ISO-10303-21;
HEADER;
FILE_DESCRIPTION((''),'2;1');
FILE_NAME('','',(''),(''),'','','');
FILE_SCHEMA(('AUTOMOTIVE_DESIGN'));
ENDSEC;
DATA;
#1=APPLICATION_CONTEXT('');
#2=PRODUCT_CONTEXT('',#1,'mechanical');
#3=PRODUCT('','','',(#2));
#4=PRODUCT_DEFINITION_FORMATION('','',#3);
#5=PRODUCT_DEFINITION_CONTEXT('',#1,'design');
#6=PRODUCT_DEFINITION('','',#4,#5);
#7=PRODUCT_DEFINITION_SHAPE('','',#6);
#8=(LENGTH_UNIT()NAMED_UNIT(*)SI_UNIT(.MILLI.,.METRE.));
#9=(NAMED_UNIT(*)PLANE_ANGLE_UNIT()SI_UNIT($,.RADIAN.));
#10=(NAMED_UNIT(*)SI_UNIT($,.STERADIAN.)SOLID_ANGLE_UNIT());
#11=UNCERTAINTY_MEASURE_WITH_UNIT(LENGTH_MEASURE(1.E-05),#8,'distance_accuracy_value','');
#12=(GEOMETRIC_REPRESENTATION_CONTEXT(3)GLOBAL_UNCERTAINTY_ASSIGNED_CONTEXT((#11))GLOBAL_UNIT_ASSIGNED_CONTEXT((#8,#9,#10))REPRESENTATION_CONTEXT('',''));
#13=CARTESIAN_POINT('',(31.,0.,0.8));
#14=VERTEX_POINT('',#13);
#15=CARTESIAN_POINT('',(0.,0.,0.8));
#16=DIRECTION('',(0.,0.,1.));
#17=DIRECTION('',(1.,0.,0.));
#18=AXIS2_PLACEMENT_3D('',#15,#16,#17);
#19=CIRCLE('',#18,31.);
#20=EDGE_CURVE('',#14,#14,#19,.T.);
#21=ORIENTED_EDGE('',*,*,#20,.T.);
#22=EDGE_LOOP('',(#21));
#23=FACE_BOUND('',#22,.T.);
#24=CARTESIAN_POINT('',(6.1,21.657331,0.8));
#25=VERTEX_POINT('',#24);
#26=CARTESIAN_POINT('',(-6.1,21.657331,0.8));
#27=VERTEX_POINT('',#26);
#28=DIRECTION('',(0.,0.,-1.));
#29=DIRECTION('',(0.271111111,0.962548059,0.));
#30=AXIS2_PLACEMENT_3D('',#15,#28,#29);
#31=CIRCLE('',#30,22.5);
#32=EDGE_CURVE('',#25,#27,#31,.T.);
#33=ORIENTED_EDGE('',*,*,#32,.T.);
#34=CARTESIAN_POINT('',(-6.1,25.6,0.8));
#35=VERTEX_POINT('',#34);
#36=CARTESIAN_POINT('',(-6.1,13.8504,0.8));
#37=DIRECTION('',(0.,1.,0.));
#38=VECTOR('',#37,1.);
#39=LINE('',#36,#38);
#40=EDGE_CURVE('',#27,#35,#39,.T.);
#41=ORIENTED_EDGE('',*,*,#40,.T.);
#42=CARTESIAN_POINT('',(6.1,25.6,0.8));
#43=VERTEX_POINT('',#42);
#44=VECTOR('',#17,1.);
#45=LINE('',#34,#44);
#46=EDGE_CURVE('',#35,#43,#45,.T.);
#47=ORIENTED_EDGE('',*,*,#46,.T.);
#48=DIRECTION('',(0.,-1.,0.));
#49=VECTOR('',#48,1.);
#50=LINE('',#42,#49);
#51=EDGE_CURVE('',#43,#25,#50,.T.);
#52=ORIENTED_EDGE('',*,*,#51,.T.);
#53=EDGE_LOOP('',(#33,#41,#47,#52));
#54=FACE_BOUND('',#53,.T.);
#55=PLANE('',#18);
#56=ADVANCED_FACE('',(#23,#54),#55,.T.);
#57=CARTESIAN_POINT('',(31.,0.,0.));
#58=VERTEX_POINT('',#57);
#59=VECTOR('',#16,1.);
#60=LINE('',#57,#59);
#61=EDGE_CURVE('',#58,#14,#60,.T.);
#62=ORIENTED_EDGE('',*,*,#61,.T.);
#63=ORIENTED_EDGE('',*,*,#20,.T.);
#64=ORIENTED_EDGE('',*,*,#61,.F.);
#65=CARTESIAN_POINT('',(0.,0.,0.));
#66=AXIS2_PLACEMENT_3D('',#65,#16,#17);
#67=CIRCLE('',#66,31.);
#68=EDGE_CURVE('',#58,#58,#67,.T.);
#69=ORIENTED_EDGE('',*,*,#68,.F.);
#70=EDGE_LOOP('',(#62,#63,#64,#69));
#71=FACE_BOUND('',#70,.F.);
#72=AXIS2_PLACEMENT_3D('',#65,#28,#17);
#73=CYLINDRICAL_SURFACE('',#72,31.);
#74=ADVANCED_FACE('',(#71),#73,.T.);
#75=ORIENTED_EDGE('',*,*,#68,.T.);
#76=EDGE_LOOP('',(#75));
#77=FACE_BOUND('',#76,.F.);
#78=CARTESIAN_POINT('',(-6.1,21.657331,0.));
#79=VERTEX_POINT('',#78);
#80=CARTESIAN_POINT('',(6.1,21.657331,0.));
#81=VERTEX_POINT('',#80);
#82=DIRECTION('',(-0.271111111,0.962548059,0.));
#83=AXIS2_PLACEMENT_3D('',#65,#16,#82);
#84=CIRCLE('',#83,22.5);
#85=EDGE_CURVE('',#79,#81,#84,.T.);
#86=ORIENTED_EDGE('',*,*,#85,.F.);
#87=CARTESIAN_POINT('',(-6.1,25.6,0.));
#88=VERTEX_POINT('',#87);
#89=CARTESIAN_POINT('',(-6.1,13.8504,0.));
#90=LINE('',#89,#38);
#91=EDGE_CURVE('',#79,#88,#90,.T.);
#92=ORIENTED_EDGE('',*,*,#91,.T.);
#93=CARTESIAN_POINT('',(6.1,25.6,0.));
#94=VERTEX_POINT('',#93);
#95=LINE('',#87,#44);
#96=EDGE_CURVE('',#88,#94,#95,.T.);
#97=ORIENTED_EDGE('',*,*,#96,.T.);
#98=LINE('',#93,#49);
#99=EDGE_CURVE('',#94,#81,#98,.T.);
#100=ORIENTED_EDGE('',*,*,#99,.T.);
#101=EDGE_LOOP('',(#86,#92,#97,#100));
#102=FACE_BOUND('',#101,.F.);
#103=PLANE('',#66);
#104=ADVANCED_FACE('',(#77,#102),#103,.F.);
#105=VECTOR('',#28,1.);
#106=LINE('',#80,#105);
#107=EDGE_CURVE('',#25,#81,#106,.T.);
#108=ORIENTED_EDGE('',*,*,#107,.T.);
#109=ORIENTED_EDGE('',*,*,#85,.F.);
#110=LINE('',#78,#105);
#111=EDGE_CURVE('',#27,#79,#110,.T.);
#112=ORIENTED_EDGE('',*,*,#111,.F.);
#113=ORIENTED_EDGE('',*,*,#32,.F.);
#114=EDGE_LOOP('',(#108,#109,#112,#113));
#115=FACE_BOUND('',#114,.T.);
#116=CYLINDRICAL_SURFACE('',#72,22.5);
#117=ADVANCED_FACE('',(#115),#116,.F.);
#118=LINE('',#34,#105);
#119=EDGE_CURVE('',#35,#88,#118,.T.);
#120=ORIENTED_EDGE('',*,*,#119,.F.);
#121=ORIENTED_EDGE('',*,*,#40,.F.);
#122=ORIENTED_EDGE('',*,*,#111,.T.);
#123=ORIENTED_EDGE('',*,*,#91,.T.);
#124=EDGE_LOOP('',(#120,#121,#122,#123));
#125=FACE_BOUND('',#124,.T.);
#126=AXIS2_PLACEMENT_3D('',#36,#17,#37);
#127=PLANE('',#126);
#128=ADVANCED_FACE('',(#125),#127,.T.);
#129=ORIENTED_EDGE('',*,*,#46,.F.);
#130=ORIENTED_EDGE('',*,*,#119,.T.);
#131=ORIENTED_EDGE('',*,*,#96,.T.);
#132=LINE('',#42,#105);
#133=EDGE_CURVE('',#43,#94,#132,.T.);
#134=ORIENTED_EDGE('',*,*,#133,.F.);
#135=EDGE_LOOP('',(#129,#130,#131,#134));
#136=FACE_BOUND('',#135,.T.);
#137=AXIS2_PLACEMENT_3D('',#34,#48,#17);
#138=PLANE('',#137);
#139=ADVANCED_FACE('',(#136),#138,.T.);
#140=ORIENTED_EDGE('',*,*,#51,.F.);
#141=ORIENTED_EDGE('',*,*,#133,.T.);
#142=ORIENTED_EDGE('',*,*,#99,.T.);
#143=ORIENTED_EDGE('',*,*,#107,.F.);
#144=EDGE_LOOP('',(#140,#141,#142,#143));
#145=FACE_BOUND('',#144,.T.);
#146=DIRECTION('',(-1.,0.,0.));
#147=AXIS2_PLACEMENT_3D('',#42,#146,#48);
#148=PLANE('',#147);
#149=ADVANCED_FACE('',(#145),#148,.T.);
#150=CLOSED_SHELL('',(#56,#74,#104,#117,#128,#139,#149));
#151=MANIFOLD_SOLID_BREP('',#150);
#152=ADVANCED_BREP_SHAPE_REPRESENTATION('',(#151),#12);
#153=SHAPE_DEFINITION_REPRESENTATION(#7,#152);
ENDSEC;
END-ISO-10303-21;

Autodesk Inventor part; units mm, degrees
ref_plane "YZ Plane" through (0, 0, 0) normal (1, 0, 0) x (0, 1, 0)
ref_plane "XZ Plane" through (0, 0, 0) normal (0, 1, 0) x (-1, 0, 0)
ref_plane "XY Plane" through (0, 0, 0) normal (0, 0, 1) x (1, 0, 0)
sketch "草圖1" plane through (0, 0, 0) normal (0, 0, 1) x (1, 0, 0)
  circle A0 centre (0, 0) radius 22.5
  circle A1 centre (0, 0) radius 31
  dimension "d0" = 45
  dimension "d1" = 62
extrude "擠出1" add sketch "草圖1" along normal blind 0.8
sketch "草圖2" plane through (0, 0, 0.8) normal (0, 0, 1) x (1, 0, 0)
  line L0 (-6.1, 25.6) -> (6.1, 25.6)
  line L1 (6.1, 25.6) -> (6.1, 13.8504)
  line L2 (6.1, 13.8504) -> (-6.1, 13.8504)
  line L3 (-6.1, 13.8504) -> (-6.1, 25.6)
  point P0 (0, 0)
  dimension "d5" = 6.1
  dimension "d6" = 12.2
  dimension "d7" = 25.6
extrude "擠出2" cut sketch "草圖2" against normal blind 0.8
properties part number "軸心墊片"
